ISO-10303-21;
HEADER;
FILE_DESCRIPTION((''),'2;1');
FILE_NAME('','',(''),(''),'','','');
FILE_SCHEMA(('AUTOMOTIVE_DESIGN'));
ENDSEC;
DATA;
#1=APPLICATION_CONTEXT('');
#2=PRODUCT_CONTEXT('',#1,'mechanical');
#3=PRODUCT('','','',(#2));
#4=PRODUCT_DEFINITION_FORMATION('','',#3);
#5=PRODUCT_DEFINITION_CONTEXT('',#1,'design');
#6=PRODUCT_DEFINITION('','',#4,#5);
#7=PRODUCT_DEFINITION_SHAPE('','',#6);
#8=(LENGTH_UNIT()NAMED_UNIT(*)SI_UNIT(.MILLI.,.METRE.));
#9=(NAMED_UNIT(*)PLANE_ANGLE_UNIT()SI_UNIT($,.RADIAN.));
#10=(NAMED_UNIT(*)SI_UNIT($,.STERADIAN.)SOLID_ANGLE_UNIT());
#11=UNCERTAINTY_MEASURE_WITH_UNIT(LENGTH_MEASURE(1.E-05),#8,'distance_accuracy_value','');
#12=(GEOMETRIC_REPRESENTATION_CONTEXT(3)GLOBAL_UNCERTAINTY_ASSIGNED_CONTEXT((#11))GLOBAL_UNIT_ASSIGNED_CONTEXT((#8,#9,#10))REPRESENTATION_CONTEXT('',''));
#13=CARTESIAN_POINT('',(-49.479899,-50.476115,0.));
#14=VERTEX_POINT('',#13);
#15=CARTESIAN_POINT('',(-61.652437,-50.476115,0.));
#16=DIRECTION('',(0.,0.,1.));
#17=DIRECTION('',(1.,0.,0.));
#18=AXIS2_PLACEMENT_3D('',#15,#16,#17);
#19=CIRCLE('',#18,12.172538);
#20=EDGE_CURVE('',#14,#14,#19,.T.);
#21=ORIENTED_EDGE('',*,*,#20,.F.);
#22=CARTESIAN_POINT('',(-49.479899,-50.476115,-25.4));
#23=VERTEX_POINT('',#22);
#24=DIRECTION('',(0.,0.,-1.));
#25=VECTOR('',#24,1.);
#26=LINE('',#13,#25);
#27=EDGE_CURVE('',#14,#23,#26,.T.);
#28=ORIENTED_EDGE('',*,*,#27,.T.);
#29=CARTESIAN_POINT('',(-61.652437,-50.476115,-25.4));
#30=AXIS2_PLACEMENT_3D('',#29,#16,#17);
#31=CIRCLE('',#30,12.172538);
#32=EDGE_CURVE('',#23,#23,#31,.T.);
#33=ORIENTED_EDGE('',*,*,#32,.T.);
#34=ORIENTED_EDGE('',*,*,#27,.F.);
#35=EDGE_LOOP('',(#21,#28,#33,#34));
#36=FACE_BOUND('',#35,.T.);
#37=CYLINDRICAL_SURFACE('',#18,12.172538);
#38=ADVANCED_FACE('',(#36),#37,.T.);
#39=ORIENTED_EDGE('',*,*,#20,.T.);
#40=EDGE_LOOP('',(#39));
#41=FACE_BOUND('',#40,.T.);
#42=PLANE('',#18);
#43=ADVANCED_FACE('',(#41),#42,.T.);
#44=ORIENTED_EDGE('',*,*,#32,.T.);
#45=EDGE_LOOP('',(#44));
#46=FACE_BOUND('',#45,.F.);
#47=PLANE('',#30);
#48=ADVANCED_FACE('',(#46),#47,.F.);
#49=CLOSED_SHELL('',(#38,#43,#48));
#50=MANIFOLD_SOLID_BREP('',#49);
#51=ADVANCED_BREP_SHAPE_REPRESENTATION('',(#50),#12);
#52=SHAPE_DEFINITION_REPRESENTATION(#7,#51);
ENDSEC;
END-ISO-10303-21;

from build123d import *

# Parameters (mm, degrees)
F0_R     = 12.172538
F1_DEPTH = 25.4


with BuildPart() as f1:
    # F0 (on Top) → F1 (new body)
    with BuildSketch(Plane.XY):
        with Locations((-61.652437, -50.476115)):
            Circle(F0_R)
    extrude(amount=-F1_DEPTH)


solid = f1.part
